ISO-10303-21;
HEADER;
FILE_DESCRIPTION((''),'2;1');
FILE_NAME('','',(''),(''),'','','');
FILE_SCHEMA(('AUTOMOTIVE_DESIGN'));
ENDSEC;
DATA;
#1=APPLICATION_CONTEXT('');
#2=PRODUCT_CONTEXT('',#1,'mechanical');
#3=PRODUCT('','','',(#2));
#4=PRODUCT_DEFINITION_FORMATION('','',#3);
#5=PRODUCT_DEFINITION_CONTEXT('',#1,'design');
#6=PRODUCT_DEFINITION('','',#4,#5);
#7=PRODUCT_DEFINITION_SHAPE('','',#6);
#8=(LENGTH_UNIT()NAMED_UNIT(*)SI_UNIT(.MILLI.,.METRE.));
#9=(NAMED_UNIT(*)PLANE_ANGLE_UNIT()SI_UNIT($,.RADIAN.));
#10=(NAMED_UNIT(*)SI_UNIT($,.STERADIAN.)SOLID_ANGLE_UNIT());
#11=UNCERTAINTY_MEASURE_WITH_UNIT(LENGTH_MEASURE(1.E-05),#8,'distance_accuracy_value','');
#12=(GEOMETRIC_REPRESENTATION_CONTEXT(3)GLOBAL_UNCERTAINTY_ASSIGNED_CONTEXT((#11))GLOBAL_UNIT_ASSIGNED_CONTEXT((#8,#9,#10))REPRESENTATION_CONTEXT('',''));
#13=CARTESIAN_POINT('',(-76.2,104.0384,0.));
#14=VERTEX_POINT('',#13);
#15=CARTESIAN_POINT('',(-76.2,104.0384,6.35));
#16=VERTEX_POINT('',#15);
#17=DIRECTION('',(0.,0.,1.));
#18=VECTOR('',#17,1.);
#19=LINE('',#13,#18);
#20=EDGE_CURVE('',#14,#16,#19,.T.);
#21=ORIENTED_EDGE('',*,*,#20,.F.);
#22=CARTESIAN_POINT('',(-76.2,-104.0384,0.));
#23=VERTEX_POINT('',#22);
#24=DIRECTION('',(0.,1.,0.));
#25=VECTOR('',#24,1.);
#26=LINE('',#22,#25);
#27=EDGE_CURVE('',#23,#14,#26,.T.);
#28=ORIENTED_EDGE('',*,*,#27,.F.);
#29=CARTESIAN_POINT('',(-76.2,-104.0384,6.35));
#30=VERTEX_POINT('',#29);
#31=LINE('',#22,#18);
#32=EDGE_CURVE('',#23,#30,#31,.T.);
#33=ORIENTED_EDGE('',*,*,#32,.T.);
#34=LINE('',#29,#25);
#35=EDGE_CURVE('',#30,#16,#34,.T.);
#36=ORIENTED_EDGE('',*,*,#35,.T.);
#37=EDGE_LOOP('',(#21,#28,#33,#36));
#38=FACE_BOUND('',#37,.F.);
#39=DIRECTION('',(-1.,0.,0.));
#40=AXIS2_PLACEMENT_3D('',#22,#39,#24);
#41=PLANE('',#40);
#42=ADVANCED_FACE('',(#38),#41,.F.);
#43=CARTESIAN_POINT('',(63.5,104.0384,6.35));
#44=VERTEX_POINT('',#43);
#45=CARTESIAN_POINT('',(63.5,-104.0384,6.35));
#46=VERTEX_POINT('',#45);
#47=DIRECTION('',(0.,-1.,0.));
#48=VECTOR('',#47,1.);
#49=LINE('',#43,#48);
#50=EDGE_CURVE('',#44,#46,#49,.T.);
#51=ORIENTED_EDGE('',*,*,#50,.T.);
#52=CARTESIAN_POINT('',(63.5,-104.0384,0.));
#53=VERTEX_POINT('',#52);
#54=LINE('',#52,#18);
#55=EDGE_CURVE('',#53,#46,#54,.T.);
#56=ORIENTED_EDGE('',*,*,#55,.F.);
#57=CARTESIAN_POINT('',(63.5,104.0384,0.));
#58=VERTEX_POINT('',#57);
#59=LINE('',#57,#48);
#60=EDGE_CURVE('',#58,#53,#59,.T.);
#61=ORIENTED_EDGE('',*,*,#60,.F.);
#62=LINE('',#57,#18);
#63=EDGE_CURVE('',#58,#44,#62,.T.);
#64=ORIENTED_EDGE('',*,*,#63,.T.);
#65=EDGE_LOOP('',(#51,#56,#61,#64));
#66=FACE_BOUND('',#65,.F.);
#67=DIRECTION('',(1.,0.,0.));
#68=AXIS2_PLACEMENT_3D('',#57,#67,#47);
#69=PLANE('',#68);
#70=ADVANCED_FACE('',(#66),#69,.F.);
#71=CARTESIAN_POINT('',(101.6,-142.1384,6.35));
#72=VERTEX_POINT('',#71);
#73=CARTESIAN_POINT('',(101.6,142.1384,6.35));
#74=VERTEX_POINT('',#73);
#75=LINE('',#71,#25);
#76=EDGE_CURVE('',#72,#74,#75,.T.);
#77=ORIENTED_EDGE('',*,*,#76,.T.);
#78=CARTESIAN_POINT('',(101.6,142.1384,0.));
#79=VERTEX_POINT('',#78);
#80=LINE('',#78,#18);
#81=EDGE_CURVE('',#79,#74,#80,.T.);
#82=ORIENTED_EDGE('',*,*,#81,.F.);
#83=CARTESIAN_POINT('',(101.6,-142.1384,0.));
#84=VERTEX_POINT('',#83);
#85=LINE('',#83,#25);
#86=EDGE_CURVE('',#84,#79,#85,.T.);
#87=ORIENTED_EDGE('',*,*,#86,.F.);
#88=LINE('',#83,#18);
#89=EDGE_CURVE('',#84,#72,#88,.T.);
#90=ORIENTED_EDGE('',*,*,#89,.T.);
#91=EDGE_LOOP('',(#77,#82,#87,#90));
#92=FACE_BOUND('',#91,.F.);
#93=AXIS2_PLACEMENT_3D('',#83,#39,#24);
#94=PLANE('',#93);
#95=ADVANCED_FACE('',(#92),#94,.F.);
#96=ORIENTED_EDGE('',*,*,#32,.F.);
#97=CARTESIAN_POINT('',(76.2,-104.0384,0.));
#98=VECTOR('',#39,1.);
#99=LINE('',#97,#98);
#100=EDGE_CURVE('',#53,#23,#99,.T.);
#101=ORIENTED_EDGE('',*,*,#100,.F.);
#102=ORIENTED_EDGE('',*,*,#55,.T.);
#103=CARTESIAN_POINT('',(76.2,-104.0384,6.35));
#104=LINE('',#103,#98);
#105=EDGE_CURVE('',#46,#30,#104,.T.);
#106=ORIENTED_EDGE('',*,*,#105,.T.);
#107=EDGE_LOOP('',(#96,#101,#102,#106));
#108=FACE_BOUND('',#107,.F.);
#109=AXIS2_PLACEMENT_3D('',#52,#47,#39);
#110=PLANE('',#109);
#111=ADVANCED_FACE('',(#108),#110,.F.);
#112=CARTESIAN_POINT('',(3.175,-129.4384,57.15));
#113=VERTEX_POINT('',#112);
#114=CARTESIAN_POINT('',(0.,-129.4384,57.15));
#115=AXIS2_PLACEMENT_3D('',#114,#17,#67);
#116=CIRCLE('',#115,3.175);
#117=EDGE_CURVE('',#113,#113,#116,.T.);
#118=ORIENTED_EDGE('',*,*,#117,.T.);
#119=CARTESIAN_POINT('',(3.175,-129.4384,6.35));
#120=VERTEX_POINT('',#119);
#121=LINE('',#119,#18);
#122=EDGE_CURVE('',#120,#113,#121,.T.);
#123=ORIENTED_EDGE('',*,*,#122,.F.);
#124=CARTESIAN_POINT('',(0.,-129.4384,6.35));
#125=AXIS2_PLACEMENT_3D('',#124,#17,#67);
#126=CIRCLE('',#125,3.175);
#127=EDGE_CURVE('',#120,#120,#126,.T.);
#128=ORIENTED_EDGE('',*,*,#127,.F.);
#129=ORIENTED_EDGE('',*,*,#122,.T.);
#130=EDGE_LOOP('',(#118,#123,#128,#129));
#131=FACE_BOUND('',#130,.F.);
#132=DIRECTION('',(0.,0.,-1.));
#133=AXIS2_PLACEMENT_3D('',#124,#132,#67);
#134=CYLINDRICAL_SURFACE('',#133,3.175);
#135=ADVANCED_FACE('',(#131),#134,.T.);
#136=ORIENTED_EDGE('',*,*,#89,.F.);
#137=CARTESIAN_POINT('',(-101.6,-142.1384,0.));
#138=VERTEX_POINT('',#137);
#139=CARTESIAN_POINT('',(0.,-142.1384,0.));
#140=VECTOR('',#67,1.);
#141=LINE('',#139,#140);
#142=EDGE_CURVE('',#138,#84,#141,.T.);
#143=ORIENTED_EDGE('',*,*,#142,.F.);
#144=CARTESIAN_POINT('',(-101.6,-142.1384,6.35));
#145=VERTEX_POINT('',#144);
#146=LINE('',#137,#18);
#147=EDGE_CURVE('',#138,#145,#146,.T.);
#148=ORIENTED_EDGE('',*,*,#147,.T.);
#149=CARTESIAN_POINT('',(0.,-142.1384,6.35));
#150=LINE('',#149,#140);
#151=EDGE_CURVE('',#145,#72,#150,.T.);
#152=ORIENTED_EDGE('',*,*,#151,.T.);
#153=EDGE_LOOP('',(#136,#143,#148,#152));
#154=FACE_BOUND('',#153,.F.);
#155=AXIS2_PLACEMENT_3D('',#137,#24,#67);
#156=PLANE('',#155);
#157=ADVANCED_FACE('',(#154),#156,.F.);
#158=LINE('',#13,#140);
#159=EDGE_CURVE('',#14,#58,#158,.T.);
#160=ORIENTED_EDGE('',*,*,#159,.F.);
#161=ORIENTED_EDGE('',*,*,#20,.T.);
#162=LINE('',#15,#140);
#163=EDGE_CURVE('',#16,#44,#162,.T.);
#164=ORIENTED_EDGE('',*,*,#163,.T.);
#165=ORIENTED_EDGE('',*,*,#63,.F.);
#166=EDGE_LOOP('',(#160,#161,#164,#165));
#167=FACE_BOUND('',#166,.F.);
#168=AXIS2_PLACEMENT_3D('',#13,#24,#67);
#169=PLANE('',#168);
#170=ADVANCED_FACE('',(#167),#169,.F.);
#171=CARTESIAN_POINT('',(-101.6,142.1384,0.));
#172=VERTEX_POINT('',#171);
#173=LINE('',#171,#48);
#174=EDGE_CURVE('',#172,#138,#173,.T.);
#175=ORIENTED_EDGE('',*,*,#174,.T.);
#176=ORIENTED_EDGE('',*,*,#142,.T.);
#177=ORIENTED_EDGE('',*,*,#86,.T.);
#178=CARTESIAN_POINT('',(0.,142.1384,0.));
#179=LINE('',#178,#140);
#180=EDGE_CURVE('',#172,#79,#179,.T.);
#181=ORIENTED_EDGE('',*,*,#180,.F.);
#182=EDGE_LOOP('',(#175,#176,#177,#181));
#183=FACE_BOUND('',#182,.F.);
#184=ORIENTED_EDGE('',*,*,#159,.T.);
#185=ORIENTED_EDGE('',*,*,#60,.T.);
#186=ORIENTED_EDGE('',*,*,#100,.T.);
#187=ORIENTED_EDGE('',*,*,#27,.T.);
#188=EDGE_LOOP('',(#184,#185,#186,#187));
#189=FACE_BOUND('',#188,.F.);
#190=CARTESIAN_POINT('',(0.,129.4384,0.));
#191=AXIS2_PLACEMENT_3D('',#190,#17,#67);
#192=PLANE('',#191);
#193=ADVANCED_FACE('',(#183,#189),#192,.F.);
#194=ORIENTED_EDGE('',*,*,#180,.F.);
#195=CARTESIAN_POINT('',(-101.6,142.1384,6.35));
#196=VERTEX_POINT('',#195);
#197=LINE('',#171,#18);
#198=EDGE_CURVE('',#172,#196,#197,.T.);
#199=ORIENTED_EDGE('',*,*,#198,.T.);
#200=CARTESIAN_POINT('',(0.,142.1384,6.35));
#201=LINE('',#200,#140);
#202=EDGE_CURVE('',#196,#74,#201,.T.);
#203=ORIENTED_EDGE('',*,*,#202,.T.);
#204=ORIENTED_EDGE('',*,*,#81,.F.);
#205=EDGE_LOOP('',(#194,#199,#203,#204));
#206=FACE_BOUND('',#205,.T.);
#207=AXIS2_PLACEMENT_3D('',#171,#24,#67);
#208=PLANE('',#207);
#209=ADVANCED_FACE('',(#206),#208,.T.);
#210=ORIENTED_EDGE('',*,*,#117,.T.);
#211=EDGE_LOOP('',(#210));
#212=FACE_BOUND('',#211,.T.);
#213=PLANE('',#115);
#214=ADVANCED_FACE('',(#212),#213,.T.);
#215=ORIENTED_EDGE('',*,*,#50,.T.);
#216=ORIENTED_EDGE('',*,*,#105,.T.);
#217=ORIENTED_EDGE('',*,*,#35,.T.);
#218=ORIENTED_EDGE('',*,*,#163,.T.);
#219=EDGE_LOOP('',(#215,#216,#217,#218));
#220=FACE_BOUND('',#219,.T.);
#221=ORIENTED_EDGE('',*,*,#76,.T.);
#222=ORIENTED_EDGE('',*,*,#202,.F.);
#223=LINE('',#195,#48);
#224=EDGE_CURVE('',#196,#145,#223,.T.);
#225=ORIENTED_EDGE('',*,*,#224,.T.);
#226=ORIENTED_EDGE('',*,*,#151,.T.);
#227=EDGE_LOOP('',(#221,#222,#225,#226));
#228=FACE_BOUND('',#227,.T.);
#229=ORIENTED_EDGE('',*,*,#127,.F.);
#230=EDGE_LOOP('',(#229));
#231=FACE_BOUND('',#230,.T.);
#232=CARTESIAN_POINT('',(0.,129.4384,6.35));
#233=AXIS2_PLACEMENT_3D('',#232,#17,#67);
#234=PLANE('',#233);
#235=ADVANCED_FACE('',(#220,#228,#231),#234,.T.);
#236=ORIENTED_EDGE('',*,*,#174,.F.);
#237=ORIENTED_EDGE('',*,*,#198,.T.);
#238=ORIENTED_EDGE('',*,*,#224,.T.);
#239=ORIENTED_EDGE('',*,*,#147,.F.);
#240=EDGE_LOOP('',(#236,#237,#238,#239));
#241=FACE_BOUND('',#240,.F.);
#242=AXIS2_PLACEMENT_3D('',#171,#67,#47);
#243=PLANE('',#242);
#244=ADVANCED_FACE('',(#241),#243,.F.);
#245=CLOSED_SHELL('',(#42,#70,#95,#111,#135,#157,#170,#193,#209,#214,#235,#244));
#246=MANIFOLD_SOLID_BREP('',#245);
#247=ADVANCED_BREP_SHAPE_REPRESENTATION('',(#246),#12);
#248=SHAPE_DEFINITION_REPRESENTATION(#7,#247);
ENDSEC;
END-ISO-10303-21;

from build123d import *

# Parameters (mm, degrees)
F0_W     = 203.2
F0_H     = 25.4
F0_H_2   = 233.4768
F0_W_2   = 12.7
F0_H_3   = 182.6768
F0_H_4   = 12.7
F1_DEPTH = 6.35
F2_R     = 3.175
F3_DEPTH = 50.8


with BuildPart() as f1:
    # F0 (on Top) → F1 (new body)
    with BuildSketch(Plane.XY):
        with Locations((0, 129.4384)):
            Rectangle(F0_W, F0_H)
        with Locations((0, -129.4384)):
            Rectangle(F0_W, F0_H)
        Rectangle(F0_W, F0_H_2)
        Polygon((76.2, 91.3384), (76.2, -91.3384), (76.2, -104.0384), (63.5, -104.0384), (-63.5, -104.0384), (-76.2, -104.0384), (-76.2, -91.3384), (-76.2, 91.3384), (-76.2, 104.0384), (-63.5, 104.0384), (63.5, 104.0384), (76.2, 104.0384), align=None, mode=Mode.SUBTRACT)
        with Locations((69.85, 0)):
            Rectangle(F0_W_2, F0_H_3)
        with Locations((69.85, -97.6884)):
            Rectangle(F0_W_2, F0_H_4)
        with Locations((69.85, 97.6884)):
            Rectangle(F0_W_2, F0_H_4)
    extrude(amount=F1_DEPTH)

    # F2 (on face) → F3 (join)
    with BuildSketch(Plane.XY.offset(6.35)):
        with Locations((0, -129.4384)):
            Circle(F2_R)
    extrude(amount=F3_DEPTH)


solid = f1.part
